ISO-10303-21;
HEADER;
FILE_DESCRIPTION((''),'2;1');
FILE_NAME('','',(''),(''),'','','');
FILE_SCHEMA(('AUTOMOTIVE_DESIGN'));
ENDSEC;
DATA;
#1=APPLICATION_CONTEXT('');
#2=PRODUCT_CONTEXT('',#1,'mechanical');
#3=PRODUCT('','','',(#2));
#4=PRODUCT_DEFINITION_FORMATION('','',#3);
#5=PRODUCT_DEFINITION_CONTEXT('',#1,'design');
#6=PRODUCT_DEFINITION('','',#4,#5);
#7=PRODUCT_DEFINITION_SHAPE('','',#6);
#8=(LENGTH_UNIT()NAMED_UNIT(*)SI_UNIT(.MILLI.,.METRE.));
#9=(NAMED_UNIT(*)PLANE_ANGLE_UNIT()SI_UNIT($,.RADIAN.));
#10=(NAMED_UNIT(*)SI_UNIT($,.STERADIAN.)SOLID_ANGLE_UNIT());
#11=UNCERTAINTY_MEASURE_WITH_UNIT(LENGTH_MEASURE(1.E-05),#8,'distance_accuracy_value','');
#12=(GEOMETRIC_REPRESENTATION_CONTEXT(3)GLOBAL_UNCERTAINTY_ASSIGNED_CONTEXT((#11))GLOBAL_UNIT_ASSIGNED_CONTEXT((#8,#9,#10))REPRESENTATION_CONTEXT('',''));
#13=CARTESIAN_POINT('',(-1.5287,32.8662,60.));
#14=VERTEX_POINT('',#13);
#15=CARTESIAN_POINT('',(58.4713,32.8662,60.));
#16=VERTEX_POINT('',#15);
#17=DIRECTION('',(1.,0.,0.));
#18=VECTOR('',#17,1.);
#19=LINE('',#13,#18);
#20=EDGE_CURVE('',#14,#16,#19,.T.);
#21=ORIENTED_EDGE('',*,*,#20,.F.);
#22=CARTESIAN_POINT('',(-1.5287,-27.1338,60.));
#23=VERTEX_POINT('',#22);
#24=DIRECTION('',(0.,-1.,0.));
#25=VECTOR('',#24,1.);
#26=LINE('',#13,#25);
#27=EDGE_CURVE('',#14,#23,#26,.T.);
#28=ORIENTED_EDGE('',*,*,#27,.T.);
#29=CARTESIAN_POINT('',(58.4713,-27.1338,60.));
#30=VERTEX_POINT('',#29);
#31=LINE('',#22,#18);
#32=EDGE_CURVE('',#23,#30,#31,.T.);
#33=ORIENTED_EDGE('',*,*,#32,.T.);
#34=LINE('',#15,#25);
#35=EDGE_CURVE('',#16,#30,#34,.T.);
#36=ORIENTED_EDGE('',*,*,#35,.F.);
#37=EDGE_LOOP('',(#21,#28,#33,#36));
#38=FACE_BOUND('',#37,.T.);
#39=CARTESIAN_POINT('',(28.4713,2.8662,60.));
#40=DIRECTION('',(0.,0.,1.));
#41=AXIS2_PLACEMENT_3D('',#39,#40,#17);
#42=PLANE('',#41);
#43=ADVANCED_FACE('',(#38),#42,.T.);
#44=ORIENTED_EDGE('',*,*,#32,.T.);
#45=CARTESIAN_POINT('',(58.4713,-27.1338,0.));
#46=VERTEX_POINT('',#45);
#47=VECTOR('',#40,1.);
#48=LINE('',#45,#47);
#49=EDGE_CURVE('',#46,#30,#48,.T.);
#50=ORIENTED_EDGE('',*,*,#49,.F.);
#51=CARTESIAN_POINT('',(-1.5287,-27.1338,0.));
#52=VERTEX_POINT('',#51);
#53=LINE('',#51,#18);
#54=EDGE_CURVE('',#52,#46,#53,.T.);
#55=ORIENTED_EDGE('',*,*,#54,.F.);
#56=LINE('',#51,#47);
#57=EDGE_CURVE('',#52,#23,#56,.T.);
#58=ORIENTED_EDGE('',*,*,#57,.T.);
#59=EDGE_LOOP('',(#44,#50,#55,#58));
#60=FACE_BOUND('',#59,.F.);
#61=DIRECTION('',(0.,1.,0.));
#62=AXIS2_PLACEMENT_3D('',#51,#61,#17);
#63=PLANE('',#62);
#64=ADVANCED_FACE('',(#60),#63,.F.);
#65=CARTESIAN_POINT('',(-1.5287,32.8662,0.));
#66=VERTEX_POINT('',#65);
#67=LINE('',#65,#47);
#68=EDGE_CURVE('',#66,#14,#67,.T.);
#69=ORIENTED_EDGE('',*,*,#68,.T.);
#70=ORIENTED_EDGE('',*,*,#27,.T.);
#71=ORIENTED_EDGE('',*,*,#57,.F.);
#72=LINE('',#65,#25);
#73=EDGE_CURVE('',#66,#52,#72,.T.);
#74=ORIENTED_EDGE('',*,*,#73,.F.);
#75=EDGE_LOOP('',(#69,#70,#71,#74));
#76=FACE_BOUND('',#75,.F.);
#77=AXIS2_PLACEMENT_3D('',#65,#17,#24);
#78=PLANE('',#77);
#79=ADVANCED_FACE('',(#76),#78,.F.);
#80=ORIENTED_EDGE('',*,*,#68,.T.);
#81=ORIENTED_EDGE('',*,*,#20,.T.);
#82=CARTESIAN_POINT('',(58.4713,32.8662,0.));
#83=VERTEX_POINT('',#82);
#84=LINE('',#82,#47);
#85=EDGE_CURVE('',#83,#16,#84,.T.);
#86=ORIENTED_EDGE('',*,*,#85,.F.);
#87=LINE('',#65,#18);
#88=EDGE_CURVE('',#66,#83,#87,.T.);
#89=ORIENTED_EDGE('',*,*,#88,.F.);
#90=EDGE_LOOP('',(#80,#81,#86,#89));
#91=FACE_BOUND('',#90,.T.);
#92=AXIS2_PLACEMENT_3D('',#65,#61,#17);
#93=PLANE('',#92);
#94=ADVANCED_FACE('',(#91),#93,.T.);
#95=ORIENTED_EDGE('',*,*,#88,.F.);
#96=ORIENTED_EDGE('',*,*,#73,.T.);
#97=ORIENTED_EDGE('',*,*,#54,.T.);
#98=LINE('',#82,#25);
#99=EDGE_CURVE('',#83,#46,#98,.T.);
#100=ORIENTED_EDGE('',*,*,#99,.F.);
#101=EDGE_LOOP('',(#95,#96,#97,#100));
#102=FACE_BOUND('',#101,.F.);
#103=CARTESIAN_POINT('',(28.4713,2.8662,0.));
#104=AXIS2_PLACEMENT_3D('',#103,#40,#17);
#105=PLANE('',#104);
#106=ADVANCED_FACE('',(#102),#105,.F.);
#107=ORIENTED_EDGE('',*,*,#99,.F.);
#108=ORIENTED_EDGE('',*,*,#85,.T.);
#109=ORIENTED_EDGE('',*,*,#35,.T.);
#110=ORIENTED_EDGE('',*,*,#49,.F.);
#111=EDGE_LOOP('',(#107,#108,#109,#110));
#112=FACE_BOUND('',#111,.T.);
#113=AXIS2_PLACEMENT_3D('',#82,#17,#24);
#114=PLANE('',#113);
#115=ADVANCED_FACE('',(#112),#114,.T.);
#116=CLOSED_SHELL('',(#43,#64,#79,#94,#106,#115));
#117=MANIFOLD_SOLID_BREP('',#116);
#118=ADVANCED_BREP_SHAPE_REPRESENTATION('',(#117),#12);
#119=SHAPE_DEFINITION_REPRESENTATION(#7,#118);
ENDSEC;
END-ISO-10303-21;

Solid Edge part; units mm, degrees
sketch "Sketch1" plane through (0, 0, 0) normal (0, 0, 1) x (1, 0, 0)
  line L0 (-1.5287, 32.8662) -> (-1.5287, -27.1338)
  line L1 (-1.5287, -27.1338) -> (58.4713, -27.1338)
  line L2 (58.4713, 32.8662) -> (58.4713, -27.1338)
  line L3 (-1.5287, 32.8662) -> (58.4713, 32.8662)
  dimension "D1" = 60
  dimension "D2" = 60
  dimension "D3" = 30
extrude "Protrusion1" add sketch "Sketch1" along normal blind 60
